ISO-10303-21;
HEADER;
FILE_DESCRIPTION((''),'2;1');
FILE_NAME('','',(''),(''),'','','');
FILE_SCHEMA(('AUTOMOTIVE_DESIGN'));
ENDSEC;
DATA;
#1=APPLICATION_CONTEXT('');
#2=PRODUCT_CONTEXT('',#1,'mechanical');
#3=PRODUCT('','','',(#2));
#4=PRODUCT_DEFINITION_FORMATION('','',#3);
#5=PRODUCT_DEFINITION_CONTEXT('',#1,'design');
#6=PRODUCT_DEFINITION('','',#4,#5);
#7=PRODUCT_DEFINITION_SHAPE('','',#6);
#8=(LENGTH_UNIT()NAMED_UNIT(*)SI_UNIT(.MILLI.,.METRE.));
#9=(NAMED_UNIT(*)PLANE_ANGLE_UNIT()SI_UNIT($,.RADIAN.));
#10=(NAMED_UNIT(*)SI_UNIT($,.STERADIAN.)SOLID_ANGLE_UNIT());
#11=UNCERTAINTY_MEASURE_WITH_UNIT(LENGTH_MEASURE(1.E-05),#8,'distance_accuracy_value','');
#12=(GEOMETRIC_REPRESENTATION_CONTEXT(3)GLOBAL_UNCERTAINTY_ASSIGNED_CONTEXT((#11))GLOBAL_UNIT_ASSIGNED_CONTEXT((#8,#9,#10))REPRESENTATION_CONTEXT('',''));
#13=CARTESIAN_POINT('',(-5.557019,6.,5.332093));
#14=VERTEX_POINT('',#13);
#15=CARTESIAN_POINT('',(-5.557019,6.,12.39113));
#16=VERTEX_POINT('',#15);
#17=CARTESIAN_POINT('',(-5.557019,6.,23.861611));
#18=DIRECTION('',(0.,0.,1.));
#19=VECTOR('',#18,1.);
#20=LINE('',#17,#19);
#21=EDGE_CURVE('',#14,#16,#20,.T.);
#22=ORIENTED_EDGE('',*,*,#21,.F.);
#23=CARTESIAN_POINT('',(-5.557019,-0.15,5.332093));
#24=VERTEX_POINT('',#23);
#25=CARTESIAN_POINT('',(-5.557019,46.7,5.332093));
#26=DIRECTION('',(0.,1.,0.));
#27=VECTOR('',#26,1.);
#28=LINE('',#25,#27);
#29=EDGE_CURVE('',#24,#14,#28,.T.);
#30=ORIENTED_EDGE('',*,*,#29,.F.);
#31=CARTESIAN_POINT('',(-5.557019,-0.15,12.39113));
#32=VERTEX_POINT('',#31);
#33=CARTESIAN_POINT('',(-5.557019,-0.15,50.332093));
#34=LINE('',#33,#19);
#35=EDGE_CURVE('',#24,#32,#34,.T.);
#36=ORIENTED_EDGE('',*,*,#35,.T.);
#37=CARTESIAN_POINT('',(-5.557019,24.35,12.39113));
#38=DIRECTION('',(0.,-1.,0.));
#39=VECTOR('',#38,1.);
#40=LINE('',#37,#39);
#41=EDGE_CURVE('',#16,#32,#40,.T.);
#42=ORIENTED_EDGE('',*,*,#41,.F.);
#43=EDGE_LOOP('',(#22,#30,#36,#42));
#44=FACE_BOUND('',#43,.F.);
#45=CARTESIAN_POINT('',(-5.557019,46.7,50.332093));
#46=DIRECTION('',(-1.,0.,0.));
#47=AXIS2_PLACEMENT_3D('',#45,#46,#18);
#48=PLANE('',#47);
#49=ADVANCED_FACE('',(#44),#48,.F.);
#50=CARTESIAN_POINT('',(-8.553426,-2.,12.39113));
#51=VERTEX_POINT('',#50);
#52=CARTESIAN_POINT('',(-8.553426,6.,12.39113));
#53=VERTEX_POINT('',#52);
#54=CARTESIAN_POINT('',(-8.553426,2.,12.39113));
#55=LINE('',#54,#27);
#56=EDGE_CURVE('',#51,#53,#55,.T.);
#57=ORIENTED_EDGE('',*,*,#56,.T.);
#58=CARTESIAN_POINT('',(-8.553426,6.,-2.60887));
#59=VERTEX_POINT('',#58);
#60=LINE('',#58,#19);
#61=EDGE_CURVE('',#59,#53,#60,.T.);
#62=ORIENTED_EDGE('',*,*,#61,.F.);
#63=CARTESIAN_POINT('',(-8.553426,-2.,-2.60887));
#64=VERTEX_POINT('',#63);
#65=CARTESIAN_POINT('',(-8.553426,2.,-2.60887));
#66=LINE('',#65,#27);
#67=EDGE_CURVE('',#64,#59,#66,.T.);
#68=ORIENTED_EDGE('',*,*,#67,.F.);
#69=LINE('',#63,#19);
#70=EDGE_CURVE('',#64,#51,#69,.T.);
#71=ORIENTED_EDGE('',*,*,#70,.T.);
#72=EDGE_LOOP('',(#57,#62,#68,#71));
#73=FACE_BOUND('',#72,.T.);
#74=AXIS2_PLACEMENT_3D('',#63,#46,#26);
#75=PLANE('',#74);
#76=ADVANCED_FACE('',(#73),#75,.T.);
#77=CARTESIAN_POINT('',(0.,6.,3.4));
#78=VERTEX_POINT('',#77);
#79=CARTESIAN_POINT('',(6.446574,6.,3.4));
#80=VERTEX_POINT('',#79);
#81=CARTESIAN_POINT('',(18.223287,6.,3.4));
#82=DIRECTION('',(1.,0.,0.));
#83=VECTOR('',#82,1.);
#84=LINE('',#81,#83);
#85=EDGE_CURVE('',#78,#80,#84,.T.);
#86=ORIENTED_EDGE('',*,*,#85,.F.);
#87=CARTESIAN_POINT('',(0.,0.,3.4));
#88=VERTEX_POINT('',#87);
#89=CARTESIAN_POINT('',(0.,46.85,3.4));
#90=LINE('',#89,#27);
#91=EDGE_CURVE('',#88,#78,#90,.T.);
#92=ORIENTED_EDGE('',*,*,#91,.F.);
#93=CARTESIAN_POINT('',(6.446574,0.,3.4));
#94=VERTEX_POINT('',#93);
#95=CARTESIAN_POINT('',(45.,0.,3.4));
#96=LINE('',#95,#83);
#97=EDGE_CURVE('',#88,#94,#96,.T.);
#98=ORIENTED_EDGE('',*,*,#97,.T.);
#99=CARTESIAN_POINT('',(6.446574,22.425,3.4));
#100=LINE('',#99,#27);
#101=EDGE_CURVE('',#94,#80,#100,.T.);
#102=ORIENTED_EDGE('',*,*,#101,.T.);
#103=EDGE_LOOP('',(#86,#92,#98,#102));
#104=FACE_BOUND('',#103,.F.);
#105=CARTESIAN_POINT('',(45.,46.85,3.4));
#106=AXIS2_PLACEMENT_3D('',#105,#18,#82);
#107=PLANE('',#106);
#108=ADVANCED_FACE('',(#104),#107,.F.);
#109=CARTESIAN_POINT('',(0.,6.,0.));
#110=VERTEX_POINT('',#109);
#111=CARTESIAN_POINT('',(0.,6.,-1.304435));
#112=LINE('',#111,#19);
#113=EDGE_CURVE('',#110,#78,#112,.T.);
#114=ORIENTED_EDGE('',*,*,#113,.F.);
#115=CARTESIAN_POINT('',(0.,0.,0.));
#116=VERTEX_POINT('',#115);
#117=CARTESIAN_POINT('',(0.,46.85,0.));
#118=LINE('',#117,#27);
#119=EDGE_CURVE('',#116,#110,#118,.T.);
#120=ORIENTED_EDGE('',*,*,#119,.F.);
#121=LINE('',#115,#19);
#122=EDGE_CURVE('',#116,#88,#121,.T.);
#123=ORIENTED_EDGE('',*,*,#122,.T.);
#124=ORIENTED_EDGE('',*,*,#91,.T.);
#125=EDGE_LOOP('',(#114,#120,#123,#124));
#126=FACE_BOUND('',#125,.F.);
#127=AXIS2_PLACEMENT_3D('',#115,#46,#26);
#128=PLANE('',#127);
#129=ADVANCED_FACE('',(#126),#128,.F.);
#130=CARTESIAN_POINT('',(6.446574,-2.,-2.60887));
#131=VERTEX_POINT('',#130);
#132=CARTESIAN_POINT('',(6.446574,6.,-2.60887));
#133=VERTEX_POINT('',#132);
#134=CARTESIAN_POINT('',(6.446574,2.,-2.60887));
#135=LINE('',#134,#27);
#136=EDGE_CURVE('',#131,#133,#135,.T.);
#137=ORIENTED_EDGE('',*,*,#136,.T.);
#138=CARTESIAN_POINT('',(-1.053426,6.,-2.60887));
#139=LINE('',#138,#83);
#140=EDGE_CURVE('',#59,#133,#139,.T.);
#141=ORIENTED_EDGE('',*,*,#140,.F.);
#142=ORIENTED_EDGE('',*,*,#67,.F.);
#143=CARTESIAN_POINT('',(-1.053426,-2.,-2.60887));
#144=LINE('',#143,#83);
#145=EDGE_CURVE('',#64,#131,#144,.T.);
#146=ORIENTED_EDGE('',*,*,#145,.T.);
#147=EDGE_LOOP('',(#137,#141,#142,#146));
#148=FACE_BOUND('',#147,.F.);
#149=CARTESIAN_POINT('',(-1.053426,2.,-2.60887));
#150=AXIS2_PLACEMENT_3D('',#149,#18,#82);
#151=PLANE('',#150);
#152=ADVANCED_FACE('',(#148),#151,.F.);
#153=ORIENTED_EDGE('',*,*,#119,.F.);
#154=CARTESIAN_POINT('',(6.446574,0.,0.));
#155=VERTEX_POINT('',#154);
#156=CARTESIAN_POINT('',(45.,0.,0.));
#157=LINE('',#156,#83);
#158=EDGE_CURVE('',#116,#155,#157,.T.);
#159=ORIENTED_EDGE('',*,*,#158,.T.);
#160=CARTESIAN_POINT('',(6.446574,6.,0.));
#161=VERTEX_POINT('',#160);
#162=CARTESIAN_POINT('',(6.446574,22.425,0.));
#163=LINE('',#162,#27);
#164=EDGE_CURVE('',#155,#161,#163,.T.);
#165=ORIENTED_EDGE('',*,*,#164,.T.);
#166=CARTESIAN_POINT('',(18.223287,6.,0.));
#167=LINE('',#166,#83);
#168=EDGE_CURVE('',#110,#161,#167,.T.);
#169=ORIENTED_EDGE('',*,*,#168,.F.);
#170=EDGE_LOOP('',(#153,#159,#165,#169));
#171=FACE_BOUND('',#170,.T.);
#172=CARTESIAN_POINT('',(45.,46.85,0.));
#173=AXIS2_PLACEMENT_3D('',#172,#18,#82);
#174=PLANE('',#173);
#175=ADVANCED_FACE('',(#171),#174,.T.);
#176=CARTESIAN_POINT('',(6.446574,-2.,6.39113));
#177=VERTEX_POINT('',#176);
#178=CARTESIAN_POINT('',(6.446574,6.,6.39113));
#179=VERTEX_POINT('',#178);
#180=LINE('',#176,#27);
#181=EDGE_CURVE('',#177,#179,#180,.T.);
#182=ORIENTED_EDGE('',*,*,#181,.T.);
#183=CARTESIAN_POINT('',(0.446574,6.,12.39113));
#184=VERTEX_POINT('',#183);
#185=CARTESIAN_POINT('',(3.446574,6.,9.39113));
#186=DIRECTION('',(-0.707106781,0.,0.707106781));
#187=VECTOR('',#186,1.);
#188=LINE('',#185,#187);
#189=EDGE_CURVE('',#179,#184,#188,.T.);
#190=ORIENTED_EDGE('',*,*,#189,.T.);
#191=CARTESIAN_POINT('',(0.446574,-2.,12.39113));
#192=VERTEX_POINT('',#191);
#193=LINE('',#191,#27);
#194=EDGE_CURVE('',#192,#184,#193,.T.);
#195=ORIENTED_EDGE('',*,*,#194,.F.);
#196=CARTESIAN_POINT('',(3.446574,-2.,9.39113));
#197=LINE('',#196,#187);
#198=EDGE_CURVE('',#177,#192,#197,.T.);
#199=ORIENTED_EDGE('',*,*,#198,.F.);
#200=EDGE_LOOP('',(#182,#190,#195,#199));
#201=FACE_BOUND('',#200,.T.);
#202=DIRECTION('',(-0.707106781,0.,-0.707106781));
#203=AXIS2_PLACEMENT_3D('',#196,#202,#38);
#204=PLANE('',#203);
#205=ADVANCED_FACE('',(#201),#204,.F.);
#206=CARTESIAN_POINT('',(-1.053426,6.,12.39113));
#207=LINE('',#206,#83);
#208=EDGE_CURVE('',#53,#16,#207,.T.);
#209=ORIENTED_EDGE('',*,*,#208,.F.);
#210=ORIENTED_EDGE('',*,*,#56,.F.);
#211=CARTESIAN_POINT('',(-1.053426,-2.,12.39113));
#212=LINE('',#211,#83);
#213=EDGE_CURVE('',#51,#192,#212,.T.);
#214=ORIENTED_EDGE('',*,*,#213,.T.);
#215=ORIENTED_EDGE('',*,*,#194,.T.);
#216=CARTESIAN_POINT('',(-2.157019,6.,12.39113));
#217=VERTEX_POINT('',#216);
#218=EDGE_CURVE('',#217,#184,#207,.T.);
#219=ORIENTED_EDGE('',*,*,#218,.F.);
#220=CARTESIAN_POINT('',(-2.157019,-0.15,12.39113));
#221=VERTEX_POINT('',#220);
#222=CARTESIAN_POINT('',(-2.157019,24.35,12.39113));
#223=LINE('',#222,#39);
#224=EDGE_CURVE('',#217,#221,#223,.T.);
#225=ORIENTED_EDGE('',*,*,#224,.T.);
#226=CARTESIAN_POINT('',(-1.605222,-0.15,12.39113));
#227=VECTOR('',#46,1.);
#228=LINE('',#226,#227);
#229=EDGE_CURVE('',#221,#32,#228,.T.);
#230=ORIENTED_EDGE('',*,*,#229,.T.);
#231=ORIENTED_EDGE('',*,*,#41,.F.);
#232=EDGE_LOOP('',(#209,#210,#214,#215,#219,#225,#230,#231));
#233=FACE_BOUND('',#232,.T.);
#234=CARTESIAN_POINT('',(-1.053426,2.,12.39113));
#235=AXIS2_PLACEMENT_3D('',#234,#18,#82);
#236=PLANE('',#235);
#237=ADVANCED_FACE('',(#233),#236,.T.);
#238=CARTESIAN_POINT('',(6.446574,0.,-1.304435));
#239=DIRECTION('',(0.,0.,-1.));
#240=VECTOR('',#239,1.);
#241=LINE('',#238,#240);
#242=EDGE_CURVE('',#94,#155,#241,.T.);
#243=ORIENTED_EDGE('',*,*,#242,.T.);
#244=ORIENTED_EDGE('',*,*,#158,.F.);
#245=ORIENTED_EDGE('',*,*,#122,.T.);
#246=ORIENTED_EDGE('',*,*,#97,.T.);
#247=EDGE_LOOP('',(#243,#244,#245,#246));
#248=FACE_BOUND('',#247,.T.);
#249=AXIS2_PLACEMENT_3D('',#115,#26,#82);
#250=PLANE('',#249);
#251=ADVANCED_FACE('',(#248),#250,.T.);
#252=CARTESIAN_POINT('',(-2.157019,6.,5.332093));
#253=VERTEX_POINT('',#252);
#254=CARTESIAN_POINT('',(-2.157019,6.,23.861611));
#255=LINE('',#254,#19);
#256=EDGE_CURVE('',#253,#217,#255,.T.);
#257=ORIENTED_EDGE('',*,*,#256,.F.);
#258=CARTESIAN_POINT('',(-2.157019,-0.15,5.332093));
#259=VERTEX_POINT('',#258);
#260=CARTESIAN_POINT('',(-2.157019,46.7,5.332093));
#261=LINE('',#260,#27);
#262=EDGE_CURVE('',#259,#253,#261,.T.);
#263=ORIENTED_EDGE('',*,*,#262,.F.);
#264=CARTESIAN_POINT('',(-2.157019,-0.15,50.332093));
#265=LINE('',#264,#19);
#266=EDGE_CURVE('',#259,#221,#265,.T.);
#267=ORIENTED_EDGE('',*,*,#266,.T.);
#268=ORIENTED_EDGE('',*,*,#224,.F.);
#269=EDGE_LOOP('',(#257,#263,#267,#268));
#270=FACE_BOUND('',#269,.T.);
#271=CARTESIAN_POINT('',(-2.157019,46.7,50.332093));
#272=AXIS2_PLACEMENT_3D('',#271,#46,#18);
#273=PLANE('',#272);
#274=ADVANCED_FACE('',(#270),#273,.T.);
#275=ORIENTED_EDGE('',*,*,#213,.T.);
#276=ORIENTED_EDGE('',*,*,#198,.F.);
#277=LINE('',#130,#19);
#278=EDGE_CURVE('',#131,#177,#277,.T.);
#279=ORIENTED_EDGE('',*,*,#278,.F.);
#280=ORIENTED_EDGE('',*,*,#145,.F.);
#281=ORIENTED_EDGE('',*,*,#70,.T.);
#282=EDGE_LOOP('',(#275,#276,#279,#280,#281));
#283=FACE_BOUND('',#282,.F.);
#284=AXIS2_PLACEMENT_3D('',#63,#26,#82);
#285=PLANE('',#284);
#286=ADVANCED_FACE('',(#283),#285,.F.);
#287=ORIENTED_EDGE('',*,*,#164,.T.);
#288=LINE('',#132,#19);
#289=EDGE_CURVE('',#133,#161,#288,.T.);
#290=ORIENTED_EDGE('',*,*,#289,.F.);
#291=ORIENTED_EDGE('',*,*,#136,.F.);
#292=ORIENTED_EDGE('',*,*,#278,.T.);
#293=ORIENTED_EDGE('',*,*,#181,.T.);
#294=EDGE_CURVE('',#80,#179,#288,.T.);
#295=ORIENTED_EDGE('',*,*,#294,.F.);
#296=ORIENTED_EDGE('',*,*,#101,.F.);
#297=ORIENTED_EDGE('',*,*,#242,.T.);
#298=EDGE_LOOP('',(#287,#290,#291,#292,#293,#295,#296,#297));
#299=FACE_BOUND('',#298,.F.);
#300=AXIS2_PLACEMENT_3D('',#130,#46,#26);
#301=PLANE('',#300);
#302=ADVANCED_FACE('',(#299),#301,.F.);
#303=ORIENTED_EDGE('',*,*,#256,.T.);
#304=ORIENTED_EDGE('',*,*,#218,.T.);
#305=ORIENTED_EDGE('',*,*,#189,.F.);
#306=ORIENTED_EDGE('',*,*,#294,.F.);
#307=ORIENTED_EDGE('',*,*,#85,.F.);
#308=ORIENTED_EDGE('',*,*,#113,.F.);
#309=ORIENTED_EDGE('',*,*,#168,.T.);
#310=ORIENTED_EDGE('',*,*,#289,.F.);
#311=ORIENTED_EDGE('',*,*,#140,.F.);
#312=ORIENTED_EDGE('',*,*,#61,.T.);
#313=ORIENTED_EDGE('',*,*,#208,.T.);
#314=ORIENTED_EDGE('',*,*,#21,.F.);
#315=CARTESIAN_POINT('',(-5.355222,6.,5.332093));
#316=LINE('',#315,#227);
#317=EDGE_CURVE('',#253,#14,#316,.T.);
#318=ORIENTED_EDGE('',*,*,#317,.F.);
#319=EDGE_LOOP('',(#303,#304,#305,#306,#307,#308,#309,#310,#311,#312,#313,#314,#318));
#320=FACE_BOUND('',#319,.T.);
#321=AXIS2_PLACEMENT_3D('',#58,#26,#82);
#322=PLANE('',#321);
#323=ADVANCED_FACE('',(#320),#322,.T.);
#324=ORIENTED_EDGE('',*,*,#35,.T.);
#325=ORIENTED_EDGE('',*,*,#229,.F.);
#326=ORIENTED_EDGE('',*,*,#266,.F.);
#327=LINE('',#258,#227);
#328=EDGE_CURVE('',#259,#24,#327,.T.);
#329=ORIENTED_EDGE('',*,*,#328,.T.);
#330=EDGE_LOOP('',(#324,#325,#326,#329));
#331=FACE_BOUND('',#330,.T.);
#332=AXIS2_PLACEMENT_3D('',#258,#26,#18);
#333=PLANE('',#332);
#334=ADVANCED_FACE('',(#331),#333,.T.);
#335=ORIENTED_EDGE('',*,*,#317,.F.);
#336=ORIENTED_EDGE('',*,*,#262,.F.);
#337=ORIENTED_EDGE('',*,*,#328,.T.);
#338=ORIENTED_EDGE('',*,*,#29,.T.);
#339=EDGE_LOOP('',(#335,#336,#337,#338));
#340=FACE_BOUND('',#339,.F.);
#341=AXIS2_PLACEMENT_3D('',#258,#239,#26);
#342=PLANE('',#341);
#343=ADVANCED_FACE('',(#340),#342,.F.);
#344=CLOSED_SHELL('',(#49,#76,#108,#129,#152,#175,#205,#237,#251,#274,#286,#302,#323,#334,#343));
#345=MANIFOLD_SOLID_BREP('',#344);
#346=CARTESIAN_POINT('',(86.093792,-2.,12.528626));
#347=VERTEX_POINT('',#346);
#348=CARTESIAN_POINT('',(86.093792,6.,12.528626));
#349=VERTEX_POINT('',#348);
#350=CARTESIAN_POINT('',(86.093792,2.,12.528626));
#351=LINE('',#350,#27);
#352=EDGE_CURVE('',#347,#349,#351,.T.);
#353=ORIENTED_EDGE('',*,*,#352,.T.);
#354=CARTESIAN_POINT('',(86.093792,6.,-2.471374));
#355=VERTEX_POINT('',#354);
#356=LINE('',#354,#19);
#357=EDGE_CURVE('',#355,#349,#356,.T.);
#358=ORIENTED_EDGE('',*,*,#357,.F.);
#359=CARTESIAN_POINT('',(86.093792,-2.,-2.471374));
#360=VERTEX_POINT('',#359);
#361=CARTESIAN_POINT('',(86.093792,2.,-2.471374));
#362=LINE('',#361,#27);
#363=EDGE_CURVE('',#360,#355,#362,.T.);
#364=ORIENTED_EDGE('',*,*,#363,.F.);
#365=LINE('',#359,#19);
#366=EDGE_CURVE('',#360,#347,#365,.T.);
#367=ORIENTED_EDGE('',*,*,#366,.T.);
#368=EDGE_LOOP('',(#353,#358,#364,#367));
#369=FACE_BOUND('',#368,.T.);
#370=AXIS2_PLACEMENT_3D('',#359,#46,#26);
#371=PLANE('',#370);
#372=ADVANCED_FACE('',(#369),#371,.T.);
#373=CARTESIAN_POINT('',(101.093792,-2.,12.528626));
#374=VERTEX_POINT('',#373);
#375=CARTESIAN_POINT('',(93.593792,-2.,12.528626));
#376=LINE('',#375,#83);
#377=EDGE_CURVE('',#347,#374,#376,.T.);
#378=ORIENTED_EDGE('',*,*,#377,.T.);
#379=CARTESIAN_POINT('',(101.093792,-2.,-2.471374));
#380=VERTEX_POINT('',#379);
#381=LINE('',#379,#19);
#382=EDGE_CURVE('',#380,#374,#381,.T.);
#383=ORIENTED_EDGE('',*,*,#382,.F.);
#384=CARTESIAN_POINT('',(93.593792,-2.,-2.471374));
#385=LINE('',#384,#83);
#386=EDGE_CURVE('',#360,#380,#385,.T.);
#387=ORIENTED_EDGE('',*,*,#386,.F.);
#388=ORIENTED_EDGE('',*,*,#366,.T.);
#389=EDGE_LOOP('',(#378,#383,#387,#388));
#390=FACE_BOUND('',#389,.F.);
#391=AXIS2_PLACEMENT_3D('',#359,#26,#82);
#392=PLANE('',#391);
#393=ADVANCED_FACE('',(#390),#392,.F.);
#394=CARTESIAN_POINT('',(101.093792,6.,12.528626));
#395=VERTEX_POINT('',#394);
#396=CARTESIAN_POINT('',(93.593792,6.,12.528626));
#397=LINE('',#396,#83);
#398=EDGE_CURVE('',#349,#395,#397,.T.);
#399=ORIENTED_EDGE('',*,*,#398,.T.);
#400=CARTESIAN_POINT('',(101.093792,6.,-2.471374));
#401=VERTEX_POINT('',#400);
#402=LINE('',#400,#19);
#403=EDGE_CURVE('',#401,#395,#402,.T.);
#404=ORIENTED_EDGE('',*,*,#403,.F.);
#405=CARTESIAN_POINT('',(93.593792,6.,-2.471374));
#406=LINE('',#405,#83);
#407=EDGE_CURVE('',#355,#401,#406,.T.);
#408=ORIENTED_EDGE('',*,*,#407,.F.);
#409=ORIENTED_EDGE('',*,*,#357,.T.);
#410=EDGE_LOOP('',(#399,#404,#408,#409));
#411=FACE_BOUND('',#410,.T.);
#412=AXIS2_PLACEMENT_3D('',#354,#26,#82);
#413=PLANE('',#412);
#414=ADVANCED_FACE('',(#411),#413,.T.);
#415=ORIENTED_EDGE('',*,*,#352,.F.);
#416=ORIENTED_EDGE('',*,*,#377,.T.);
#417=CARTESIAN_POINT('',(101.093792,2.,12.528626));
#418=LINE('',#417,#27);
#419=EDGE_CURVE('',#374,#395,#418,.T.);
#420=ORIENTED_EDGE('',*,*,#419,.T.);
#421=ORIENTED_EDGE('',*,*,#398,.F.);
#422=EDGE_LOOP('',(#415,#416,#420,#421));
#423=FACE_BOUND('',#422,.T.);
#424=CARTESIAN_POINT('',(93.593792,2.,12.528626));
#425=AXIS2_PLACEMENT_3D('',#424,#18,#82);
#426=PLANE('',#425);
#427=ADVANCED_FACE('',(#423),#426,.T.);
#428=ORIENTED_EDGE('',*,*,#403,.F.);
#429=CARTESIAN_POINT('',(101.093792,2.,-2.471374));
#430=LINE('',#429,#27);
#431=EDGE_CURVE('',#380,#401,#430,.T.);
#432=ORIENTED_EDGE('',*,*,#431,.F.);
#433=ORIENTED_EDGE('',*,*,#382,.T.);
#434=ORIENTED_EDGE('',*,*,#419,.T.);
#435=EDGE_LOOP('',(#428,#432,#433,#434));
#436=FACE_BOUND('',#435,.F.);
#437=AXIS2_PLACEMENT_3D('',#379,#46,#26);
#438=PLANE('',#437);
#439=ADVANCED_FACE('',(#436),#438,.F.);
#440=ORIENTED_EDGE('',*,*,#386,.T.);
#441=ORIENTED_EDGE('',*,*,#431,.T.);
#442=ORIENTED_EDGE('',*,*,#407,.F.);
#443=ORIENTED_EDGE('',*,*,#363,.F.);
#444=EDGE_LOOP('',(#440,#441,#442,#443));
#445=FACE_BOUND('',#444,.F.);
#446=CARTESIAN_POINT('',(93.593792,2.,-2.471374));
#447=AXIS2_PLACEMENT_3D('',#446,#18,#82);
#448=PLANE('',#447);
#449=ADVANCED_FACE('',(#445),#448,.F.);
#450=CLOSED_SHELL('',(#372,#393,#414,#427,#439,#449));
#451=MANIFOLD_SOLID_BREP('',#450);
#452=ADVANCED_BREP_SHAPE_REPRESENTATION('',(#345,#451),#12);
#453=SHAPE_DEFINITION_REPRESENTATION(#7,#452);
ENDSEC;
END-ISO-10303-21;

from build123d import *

# Parameters (mm, degrees)
BOX_W             = 90
BOX_H             = 93.7
BOX_DEPTH         = 3.4
CLONE_PITCH_ANGLE = -90
ARRAY001_X_COUNT  = 3
ARRAY001_X_PITCH  = 97.7
ARRAY001_Y_COUNT  = 2
ARRAY001_Y_PITCH  = 97.7
ARRAY001_Z_COUNT  = 2
ARRAY001_Z_PITCH  = 97.7
ARRAY_X_COUNT     = 2
ARRAY_X_PITCH     = 97.7
ARRAY_Z_COUNT     = 3
ARRAY_Z_PITCH     = 97.7
BOX001_W          = 15
BOX001_H          = 8
BOX001_DEPTH      = 15
CHAMFER_SIZE      = 6
BOX002_W          = 15
BOX002_H          = 8
BOX002_DEPTH      = 15


with BuildPart() as cubo:
    # Box → Box (new body)
    with BuildSketch(Plane.XY):
        with Locations((45, 46.85)):
            Rectangle(BOX_W, BOX_H)
    extrude(amount=BOX_DEPTH)


with BuildPart() as array001:
    # Clone base: copy of Cubo
    add(cubo.part)


with BuildPart() as array001_1:
    # Clone pitch: moved
    add(array001.part.rotate(Axis((0, 0, 0), (0, 1, 0)), CLONE_PITCH_ANGLE))


with BuildPart() as array001_2:
    # Clone placement: moved
    add(array001_1.part.moved(Location((-0.3, -0.15, 3.4))))

    # Array001 X: Array001 ×3


with BuildPart() as array001_3:
    add(array001_2.part)
    with Locations(*[(i * ARRAY001_X_PITCH, 0, 0) for i in range(1, ARRAY001_X_COUNT)]):
        add(array001_2.part)

    # Array001 Y: Array001 ×2


with BuildPart() as array001_4:
    add(array001_3.part)
    with Locations(*[(0, i * ARRAY001_Y_PITCH, 0) for i in range(1, ARRAY001_Y_COUNT)]):
        add(array001_3.part)

    # Array001 Z: Array001 ×2


with BuildPart() as array001_5:
    add(array001_4.part)
    with Locations(*[(0, 0, i * ARRAY001_Z_PITCH) for i in range(1, ARRAY001_Z_COUNT)]):
        add(array001_4.part)


with BuildPart() as array001_6:
    # Array001 placement: moved
    add(array001_5.part.moved(Location((-1.857019, 0, 1.932093))))


with BuildPart() as fusion:
    # Array base: copy of Cubo
    add(cubo.part)

    # Array X: Fusion ×2


with BuildPart() as fusion_1:
    add(fusion.part)
    with Locations(*[(i * ARRAY_X_PITCH, 0, 0) for i in range(1, ARRAY_X_COUNT)]):
        add(fusion.part)

    # Array Z: Fusion ×3


with BuildPart() as fusion_2:
    add(fusion_1.part)
    with Locations(*[(0, 0, i * ARRAY_Z_PITCH) for i in range(1, ARRAY_Z_COUNT)]):
        add(fusion_1.part)

    # Fusion: union Array001
    add(array001_6.part)


with BuildPart() as cut:
    # Box001 → Box001 (new body)
    with BuildSketch(Plane(origin=(-8.553426, -2, -2.60887), x_dir=(1, 0, 0), z_dir=(0, 0, 1))):
        with Locations((7.5, 4)):
            Rectangle(BOX001_W, BOX001_H)
    extrude(amount=BOX001_DEPTH)

    # Chamfer
    chamfer_edges = [cut.edges().sort_by_distance(p)[0] for p in [
        (6.446574, 2, 12.39113),
    ]]
    chamfer(chamfer_edges, length=CHAMFER_SIZE)

    # Cut: cut Fusion
    add(fusion_2.part, mode=Mode.SUBTRACT)


with BuildPart() as cubo002:
    # Box002 → Box002 (new body)
    with BuildSketch(Plane(origin=(86.093792, -2, -2.471374), x_dir=(1, 0, 0), z_dir=(0, 0, 1))):
        with Locations((7.5, 4)):
            Rectangle(BOX002_W, BOX002_H)
    extrude(amount=BOX002_DEPTH)


solid = Compound([cut.part, cubo002.part])
